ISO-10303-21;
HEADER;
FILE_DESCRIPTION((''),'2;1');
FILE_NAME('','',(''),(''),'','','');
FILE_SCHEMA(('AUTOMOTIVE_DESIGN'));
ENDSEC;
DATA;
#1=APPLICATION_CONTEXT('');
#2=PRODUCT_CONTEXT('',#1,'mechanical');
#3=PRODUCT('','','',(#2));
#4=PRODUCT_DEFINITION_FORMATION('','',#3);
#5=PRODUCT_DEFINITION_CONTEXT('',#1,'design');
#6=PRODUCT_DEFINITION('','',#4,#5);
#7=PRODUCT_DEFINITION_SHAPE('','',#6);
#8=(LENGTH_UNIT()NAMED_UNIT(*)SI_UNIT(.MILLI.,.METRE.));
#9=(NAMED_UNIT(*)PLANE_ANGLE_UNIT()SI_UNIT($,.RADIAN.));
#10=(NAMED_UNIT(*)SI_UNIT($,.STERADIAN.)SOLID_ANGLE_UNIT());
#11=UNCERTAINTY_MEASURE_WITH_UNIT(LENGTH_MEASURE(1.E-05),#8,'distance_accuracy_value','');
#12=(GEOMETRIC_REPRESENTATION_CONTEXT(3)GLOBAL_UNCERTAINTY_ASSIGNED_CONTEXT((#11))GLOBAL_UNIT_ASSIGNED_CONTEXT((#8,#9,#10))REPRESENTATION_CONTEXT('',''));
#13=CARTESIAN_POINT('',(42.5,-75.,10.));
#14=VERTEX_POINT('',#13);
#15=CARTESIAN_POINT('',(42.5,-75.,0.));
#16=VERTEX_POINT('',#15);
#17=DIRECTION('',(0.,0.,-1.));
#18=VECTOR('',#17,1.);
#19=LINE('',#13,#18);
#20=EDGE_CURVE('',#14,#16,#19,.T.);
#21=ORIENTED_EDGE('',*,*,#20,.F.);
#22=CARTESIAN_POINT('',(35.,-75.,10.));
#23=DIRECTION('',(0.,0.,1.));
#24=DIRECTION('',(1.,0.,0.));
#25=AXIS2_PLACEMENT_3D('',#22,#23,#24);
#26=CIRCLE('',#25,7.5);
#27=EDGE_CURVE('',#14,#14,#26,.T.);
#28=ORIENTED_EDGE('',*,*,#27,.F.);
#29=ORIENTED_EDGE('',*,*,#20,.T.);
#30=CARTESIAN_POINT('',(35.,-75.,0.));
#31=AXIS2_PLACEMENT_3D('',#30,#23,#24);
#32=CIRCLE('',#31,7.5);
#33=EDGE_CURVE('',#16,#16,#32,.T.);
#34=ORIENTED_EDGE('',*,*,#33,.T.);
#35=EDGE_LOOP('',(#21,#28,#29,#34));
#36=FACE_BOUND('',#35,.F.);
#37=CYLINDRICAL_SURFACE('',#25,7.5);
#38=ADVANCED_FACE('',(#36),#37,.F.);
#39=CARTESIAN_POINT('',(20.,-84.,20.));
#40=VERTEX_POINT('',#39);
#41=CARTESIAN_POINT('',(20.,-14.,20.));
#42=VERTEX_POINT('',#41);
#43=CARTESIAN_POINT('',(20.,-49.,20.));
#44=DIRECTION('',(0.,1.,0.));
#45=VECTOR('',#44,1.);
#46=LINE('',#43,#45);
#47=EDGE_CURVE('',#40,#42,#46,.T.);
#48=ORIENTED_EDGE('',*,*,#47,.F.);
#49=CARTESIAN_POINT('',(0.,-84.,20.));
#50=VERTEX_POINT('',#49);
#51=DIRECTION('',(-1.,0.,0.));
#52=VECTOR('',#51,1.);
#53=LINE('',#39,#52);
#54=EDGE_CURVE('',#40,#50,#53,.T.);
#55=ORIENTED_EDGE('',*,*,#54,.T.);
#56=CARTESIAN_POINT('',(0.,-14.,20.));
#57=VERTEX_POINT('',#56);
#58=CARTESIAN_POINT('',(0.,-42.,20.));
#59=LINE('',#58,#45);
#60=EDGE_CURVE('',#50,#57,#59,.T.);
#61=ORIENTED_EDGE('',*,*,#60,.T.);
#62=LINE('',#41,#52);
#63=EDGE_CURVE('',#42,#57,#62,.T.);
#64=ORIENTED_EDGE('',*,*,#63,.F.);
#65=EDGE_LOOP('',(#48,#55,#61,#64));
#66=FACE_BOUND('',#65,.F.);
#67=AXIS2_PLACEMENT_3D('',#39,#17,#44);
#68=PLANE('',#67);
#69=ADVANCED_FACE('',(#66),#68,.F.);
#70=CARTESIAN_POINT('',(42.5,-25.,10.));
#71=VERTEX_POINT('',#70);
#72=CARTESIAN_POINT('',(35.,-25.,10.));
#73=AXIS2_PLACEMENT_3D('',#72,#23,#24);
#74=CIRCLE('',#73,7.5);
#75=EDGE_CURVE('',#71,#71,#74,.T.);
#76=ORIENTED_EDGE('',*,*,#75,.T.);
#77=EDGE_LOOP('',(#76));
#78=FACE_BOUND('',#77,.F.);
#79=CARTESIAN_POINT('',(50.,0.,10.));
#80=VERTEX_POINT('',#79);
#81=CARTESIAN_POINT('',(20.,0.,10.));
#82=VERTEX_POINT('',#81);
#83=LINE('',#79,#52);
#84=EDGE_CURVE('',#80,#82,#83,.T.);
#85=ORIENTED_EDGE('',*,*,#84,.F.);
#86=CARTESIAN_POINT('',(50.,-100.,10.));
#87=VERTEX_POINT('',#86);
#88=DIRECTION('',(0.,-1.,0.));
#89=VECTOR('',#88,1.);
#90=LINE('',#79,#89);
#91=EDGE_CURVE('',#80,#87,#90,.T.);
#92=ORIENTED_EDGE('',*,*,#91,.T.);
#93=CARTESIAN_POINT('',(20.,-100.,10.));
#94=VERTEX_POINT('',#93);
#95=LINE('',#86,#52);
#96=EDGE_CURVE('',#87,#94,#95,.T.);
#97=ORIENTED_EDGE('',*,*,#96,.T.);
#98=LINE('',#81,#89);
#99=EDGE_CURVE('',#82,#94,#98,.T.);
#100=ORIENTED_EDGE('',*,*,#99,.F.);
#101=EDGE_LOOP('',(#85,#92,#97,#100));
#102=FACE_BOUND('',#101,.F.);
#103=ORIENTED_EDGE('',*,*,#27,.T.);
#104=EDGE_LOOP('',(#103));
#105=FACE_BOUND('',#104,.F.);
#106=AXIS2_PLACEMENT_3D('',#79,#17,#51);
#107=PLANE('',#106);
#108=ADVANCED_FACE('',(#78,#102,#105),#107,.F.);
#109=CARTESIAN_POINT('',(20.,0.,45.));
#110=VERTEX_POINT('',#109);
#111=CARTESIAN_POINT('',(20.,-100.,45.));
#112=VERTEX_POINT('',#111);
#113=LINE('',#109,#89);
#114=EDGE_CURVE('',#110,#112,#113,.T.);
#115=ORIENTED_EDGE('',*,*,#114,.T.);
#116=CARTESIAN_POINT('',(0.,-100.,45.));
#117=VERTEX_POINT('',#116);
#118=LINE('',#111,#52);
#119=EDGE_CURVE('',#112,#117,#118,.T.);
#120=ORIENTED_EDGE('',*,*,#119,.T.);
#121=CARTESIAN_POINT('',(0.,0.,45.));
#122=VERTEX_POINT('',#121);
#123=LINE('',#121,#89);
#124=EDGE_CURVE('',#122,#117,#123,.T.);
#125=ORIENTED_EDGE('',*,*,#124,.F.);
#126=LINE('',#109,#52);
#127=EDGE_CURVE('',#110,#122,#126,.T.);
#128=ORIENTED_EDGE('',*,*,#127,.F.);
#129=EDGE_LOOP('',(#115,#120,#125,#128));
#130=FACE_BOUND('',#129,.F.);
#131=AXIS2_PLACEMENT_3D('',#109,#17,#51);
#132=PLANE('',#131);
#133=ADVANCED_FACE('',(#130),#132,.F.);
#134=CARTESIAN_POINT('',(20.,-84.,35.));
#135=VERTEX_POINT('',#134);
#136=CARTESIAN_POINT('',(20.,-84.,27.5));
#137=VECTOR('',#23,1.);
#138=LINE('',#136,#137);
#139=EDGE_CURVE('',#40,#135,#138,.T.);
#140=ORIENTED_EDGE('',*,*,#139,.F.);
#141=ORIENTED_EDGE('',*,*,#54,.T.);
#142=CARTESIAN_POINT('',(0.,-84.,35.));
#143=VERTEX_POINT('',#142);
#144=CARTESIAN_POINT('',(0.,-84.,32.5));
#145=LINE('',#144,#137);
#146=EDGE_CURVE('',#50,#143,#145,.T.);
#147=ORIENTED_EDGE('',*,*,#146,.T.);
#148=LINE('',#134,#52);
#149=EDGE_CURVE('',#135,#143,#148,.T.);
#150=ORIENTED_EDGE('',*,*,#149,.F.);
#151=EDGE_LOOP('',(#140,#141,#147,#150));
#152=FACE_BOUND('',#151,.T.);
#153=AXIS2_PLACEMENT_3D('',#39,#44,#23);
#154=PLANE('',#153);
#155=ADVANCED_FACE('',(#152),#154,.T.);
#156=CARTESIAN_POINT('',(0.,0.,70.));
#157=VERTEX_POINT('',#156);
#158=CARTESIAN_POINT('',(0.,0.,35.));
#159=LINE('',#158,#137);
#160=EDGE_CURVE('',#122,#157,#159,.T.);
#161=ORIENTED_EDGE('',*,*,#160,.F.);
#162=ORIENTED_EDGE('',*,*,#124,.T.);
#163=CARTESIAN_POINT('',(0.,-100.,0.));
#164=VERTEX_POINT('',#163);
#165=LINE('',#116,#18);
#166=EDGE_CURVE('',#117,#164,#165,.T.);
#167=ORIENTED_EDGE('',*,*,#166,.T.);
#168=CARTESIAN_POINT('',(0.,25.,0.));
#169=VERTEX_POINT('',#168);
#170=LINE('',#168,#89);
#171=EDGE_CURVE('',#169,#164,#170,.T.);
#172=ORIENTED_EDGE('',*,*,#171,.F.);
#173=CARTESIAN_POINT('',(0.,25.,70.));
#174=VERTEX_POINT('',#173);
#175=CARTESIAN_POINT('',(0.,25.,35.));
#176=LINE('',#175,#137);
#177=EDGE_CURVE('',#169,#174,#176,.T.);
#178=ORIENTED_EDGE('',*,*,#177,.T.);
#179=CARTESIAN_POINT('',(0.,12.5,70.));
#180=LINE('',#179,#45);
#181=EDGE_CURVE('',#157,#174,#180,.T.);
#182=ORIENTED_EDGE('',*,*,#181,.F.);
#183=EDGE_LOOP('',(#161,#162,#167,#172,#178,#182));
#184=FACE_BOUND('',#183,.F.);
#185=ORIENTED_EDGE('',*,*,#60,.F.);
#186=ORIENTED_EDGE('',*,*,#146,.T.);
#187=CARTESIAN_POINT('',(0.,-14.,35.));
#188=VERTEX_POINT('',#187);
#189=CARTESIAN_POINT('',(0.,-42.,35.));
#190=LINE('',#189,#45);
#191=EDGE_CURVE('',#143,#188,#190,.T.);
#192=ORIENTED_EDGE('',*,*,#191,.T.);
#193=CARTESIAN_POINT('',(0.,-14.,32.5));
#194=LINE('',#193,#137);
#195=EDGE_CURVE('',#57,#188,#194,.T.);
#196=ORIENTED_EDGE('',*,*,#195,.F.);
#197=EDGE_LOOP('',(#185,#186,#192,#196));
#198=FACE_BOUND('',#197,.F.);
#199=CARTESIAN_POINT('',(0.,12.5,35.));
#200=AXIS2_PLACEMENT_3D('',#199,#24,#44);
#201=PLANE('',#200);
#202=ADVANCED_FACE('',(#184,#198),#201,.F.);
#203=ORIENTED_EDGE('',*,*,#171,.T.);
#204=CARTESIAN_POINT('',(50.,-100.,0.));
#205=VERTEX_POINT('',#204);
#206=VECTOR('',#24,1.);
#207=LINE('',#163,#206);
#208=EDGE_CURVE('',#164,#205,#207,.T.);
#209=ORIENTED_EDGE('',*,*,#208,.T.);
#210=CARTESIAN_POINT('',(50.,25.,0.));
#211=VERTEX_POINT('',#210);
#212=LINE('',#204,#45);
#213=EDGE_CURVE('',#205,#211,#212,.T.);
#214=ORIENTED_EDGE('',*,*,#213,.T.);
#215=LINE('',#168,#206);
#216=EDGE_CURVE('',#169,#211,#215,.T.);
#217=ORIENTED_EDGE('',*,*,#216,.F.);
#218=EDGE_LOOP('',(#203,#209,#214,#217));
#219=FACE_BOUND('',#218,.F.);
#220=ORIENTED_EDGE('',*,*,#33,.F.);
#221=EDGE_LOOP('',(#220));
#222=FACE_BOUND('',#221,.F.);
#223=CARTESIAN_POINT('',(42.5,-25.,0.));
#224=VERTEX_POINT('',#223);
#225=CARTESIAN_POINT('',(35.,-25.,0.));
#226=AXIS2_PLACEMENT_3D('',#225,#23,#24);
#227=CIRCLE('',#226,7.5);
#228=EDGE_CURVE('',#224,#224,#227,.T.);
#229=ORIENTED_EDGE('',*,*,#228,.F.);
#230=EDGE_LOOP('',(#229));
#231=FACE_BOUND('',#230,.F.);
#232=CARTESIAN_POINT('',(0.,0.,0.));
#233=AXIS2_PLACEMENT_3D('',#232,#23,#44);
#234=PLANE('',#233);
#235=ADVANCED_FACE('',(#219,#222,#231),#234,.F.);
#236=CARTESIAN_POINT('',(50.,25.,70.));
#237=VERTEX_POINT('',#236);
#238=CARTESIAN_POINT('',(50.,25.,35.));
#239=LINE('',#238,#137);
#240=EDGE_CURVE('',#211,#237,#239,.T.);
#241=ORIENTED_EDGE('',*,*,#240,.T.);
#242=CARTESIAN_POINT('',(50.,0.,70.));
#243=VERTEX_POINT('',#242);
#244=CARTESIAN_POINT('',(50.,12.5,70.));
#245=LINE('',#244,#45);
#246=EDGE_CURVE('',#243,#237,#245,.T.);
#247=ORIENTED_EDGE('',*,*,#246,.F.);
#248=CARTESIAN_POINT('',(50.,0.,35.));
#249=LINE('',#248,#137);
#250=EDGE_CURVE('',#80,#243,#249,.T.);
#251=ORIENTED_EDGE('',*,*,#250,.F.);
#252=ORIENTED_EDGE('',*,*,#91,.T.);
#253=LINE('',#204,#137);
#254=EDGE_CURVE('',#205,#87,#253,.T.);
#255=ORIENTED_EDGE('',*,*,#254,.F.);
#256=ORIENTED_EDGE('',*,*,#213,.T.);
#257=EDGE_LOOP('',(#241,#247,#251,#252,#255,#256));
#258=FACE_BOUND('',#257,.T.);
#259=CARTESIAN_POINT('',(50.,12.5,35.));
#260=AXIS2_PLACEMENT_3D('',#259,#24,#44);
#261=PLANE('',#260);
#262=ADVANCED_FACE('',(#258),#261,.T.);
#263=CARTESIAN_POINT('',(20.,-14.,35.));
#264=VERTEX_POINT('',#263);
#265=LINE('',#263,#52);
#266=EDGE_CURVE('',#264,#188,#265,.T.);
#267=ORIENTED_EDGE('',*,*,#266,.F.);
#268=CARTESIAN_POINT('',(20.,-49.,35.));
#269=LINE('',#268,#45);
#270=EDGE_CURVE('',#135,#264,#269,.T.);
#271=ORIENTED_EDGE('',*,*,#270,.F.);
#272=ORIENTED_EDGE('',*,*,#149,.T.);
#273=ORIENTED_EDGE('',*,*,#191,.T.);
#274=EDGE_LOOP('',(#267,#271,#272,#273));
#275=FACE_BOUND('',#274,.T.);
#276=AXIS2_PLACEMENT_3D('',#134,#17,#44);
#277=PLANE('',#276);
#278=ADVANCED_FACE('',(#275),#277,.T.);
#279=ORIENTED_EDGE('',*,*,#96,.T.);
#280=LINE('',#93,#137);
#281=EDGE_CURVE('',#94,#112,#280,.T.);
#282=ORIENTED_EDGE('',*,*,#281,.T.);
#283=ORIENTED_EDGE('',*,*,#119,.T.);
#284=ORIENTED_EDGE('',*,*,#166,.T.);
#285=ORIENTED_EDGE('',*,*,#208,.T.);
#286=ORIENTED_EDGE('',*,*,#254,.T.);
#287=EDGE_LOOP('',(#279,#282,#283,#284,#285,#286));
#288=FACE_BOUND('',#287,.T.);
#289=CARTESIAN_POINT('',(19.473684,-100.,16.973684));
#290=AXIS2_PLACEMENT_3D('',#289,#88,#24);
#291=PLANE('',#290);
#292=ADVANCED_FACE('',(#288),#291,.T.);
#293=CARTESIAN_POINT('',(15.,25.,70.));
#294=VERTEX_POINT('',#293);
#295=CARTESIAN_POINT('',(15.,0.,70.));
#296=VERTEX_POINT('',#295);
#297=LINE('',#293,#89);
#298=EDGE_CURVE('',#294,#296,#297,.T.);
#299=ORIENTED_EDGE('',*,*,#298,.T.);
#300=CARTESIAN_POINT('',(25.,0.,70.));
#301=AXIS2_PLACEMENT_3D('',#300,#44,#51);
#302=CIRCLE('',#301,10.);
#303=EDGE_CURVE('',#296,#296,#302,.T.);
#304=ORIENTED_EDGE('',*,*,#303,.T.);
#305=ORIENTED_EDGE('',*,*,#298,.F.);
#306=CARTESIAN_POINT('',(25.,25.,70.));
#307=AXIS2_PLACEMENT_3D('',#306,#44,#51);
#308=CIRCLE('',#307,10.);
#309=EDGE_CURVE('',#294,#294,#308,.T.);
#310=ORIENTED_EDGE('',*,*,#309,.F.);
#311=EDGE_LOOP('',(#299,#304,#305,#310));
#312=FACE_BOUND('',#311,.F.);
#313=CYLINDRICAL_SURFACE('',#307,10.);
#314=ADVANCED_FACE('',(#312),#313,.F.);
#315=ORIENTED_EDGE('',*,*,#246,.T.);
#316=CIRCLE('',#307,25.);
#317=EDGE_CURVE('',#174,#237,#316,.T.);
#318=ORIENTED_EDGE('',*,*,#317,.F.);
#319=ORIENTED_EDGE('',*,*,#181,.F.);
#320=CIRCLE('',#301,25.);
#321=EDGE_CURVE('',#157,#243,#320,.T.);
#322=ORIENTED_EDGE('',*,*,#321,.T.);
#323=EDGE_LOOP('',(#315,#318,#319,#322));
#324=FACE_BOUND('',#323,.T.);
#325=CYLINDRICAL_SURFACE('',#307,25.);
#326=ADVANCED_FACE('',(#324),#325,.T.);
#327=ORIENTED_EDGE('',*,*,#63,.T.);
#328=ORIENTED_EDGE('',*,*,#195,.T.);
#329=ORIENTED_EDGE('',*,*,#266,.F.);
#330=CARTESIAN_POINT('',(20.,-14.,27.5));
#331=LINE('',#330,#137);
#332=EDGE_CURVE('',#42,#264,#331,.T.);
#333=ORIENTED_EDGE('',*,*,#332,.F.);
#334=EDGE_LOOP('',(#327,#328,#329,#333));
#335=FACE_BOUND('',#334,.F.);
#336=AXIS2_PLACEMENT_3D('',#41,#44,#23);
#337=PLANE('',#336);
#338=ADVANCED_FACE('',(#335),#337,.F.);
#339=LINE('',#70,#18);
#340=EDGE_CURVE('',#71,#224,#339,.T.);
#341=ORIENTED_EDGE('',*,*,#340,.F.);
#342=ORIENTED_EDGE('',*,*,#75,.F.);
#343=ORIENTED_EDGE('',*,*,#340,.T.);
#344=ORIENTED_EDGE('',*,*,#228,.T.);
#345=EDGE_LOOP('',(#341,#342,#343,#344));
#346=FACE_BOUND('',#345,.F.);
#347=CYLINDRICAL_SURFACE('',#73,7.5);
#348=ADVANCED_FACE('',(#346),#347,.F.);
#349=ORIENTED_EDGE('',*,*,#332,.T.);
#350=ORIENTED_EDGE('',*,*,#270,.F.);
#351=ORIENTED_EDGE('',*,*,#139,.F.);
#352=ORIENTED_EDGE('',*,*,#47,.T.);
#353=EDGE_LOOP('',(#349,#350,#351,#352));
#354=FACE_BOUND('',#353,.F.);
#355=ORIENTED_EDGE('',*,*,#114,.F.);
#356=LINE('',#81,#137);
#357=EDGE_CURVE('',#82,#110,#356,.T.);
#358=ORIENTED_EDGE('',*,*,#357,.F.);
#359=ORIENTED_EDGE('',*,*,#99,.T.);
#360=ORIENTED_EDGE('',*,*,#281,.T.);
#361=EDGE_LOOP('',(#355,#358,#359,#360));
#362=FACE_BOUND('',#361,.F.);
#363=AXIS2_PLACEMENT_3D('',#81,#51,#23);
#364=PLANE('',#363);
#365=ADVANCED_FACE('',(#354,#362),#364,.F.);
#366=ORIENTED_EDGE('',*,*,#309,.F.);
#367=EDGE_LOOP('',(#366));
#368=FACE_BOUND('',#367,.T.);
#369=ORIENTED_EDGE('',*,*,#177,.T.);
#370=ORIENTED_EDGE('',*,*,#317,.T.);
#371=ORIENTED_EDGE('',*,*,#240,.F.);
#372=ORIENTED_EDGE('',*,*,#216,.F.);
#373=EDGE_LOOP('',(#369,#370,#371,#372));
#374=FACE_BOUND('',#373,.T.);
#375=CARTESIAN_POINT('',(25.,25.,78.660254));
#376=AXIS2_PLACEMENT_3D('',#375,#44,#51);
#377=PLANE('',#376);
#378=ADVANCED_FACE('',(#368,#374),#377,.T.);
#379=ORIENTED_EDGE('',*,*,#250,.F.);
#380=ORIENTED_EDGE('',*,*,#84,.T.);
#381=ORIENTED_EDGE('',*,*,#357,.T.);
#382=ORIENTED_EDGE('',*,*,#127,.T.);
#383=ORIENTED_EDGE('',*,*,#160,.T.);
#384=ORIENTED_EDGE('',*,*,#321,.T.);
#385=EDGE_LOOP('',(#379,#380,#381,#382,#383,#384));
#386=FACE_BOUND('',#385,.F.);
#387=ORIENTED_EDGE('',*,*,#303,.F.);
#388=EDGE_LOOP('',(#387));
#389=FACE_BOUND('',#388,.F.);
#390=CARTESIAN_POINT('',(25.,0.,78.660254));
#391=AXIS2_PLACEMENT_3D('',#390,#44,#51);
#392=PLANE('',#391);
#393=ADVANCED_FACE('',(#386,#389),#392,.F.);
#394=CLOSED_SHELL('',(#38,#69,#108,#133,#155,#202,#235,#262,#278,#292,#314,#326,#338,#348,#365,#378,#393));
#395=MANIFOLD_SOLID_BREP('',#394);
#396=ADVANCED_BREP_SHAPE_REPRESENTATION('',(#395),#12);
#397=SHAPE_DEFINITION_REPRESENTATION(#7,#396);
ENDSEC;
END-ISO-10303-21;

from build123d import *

# Parameters (mm, degrees)
F1_DEPTH  = 100
F2_W      = 70
F2_H      = 15
F3_DEPTH  = 25.4
F4_W      = 25
F4_H      = 70
F5_DEPTH  = 50
F7_DEPTH  = 25
F8_R      = 10
F9_DEPTH  = 25.4
F10_R     = 7.5
F11_DEPTH = 25.4


with BuildPart() as f1:
    # F0 (on Front) → F1 (new body)
    with BuildSketch(Plane.XZ):
        Polygon((20, 45), (0, 45), (0, 0), (50, 0), (50, 10), (20, 10), align=None)
    extrude(amount=F1_DEPTH)

    # F2 (on face) → F3 (cut)
    with BuildSketch(Plane.YZ.offset(20)):
        with Locations((-49, 27.5)):
            Rectangle(F2_W, F2_H)
    extrude(amount=-F3_DEPTH, mode=Mode.SUBTRACT)

    # F4 (on Right) → F5 (join)
    with BuildSketch(Plane.YZ):
        with Locations((12.5, 35)):
            Rectangle(F4_W, F4_H)
    extrude(amount=F5_DEPTH)

    # F6 (on face) → F7 (join)
    with BuildSketch(Plane(origin=(0, 25, 0), x_dir=(-1, 0, 0), z_dir=(0, 1, 0))):
        with BuildLine():
            ThreePointArc((0, 70), (-25, 95), (-50, 70))
            Line((-50, 70), (0, 70))
        make_face()
    extrude(amount=-F7_DEPTH)

    # F8 (on face) → F9 (cut)
    with BuildSketch(Plane(origin=(0, 25, 0), x_dir=(-1, 0, 0), z_dir=(0, 1, 0))):
        with Locations((-25, 70)):
            Circle(F8_R)
    extrude(amount=-F9_DEPTH, mode=Mode.SUBTRACT)

    # F10 (on face) → F11 (cut)
    with BuildSketch(Plane.XY.offset(10)):
        with Locations((35, -25)):
            Circle(F10_R)
        with Locations((35, -75)):
            Circle(F10_R)
    extrude(amount=-F11_DEPTH, mode=Mode.SUBTRACT)


solid = f1.part
